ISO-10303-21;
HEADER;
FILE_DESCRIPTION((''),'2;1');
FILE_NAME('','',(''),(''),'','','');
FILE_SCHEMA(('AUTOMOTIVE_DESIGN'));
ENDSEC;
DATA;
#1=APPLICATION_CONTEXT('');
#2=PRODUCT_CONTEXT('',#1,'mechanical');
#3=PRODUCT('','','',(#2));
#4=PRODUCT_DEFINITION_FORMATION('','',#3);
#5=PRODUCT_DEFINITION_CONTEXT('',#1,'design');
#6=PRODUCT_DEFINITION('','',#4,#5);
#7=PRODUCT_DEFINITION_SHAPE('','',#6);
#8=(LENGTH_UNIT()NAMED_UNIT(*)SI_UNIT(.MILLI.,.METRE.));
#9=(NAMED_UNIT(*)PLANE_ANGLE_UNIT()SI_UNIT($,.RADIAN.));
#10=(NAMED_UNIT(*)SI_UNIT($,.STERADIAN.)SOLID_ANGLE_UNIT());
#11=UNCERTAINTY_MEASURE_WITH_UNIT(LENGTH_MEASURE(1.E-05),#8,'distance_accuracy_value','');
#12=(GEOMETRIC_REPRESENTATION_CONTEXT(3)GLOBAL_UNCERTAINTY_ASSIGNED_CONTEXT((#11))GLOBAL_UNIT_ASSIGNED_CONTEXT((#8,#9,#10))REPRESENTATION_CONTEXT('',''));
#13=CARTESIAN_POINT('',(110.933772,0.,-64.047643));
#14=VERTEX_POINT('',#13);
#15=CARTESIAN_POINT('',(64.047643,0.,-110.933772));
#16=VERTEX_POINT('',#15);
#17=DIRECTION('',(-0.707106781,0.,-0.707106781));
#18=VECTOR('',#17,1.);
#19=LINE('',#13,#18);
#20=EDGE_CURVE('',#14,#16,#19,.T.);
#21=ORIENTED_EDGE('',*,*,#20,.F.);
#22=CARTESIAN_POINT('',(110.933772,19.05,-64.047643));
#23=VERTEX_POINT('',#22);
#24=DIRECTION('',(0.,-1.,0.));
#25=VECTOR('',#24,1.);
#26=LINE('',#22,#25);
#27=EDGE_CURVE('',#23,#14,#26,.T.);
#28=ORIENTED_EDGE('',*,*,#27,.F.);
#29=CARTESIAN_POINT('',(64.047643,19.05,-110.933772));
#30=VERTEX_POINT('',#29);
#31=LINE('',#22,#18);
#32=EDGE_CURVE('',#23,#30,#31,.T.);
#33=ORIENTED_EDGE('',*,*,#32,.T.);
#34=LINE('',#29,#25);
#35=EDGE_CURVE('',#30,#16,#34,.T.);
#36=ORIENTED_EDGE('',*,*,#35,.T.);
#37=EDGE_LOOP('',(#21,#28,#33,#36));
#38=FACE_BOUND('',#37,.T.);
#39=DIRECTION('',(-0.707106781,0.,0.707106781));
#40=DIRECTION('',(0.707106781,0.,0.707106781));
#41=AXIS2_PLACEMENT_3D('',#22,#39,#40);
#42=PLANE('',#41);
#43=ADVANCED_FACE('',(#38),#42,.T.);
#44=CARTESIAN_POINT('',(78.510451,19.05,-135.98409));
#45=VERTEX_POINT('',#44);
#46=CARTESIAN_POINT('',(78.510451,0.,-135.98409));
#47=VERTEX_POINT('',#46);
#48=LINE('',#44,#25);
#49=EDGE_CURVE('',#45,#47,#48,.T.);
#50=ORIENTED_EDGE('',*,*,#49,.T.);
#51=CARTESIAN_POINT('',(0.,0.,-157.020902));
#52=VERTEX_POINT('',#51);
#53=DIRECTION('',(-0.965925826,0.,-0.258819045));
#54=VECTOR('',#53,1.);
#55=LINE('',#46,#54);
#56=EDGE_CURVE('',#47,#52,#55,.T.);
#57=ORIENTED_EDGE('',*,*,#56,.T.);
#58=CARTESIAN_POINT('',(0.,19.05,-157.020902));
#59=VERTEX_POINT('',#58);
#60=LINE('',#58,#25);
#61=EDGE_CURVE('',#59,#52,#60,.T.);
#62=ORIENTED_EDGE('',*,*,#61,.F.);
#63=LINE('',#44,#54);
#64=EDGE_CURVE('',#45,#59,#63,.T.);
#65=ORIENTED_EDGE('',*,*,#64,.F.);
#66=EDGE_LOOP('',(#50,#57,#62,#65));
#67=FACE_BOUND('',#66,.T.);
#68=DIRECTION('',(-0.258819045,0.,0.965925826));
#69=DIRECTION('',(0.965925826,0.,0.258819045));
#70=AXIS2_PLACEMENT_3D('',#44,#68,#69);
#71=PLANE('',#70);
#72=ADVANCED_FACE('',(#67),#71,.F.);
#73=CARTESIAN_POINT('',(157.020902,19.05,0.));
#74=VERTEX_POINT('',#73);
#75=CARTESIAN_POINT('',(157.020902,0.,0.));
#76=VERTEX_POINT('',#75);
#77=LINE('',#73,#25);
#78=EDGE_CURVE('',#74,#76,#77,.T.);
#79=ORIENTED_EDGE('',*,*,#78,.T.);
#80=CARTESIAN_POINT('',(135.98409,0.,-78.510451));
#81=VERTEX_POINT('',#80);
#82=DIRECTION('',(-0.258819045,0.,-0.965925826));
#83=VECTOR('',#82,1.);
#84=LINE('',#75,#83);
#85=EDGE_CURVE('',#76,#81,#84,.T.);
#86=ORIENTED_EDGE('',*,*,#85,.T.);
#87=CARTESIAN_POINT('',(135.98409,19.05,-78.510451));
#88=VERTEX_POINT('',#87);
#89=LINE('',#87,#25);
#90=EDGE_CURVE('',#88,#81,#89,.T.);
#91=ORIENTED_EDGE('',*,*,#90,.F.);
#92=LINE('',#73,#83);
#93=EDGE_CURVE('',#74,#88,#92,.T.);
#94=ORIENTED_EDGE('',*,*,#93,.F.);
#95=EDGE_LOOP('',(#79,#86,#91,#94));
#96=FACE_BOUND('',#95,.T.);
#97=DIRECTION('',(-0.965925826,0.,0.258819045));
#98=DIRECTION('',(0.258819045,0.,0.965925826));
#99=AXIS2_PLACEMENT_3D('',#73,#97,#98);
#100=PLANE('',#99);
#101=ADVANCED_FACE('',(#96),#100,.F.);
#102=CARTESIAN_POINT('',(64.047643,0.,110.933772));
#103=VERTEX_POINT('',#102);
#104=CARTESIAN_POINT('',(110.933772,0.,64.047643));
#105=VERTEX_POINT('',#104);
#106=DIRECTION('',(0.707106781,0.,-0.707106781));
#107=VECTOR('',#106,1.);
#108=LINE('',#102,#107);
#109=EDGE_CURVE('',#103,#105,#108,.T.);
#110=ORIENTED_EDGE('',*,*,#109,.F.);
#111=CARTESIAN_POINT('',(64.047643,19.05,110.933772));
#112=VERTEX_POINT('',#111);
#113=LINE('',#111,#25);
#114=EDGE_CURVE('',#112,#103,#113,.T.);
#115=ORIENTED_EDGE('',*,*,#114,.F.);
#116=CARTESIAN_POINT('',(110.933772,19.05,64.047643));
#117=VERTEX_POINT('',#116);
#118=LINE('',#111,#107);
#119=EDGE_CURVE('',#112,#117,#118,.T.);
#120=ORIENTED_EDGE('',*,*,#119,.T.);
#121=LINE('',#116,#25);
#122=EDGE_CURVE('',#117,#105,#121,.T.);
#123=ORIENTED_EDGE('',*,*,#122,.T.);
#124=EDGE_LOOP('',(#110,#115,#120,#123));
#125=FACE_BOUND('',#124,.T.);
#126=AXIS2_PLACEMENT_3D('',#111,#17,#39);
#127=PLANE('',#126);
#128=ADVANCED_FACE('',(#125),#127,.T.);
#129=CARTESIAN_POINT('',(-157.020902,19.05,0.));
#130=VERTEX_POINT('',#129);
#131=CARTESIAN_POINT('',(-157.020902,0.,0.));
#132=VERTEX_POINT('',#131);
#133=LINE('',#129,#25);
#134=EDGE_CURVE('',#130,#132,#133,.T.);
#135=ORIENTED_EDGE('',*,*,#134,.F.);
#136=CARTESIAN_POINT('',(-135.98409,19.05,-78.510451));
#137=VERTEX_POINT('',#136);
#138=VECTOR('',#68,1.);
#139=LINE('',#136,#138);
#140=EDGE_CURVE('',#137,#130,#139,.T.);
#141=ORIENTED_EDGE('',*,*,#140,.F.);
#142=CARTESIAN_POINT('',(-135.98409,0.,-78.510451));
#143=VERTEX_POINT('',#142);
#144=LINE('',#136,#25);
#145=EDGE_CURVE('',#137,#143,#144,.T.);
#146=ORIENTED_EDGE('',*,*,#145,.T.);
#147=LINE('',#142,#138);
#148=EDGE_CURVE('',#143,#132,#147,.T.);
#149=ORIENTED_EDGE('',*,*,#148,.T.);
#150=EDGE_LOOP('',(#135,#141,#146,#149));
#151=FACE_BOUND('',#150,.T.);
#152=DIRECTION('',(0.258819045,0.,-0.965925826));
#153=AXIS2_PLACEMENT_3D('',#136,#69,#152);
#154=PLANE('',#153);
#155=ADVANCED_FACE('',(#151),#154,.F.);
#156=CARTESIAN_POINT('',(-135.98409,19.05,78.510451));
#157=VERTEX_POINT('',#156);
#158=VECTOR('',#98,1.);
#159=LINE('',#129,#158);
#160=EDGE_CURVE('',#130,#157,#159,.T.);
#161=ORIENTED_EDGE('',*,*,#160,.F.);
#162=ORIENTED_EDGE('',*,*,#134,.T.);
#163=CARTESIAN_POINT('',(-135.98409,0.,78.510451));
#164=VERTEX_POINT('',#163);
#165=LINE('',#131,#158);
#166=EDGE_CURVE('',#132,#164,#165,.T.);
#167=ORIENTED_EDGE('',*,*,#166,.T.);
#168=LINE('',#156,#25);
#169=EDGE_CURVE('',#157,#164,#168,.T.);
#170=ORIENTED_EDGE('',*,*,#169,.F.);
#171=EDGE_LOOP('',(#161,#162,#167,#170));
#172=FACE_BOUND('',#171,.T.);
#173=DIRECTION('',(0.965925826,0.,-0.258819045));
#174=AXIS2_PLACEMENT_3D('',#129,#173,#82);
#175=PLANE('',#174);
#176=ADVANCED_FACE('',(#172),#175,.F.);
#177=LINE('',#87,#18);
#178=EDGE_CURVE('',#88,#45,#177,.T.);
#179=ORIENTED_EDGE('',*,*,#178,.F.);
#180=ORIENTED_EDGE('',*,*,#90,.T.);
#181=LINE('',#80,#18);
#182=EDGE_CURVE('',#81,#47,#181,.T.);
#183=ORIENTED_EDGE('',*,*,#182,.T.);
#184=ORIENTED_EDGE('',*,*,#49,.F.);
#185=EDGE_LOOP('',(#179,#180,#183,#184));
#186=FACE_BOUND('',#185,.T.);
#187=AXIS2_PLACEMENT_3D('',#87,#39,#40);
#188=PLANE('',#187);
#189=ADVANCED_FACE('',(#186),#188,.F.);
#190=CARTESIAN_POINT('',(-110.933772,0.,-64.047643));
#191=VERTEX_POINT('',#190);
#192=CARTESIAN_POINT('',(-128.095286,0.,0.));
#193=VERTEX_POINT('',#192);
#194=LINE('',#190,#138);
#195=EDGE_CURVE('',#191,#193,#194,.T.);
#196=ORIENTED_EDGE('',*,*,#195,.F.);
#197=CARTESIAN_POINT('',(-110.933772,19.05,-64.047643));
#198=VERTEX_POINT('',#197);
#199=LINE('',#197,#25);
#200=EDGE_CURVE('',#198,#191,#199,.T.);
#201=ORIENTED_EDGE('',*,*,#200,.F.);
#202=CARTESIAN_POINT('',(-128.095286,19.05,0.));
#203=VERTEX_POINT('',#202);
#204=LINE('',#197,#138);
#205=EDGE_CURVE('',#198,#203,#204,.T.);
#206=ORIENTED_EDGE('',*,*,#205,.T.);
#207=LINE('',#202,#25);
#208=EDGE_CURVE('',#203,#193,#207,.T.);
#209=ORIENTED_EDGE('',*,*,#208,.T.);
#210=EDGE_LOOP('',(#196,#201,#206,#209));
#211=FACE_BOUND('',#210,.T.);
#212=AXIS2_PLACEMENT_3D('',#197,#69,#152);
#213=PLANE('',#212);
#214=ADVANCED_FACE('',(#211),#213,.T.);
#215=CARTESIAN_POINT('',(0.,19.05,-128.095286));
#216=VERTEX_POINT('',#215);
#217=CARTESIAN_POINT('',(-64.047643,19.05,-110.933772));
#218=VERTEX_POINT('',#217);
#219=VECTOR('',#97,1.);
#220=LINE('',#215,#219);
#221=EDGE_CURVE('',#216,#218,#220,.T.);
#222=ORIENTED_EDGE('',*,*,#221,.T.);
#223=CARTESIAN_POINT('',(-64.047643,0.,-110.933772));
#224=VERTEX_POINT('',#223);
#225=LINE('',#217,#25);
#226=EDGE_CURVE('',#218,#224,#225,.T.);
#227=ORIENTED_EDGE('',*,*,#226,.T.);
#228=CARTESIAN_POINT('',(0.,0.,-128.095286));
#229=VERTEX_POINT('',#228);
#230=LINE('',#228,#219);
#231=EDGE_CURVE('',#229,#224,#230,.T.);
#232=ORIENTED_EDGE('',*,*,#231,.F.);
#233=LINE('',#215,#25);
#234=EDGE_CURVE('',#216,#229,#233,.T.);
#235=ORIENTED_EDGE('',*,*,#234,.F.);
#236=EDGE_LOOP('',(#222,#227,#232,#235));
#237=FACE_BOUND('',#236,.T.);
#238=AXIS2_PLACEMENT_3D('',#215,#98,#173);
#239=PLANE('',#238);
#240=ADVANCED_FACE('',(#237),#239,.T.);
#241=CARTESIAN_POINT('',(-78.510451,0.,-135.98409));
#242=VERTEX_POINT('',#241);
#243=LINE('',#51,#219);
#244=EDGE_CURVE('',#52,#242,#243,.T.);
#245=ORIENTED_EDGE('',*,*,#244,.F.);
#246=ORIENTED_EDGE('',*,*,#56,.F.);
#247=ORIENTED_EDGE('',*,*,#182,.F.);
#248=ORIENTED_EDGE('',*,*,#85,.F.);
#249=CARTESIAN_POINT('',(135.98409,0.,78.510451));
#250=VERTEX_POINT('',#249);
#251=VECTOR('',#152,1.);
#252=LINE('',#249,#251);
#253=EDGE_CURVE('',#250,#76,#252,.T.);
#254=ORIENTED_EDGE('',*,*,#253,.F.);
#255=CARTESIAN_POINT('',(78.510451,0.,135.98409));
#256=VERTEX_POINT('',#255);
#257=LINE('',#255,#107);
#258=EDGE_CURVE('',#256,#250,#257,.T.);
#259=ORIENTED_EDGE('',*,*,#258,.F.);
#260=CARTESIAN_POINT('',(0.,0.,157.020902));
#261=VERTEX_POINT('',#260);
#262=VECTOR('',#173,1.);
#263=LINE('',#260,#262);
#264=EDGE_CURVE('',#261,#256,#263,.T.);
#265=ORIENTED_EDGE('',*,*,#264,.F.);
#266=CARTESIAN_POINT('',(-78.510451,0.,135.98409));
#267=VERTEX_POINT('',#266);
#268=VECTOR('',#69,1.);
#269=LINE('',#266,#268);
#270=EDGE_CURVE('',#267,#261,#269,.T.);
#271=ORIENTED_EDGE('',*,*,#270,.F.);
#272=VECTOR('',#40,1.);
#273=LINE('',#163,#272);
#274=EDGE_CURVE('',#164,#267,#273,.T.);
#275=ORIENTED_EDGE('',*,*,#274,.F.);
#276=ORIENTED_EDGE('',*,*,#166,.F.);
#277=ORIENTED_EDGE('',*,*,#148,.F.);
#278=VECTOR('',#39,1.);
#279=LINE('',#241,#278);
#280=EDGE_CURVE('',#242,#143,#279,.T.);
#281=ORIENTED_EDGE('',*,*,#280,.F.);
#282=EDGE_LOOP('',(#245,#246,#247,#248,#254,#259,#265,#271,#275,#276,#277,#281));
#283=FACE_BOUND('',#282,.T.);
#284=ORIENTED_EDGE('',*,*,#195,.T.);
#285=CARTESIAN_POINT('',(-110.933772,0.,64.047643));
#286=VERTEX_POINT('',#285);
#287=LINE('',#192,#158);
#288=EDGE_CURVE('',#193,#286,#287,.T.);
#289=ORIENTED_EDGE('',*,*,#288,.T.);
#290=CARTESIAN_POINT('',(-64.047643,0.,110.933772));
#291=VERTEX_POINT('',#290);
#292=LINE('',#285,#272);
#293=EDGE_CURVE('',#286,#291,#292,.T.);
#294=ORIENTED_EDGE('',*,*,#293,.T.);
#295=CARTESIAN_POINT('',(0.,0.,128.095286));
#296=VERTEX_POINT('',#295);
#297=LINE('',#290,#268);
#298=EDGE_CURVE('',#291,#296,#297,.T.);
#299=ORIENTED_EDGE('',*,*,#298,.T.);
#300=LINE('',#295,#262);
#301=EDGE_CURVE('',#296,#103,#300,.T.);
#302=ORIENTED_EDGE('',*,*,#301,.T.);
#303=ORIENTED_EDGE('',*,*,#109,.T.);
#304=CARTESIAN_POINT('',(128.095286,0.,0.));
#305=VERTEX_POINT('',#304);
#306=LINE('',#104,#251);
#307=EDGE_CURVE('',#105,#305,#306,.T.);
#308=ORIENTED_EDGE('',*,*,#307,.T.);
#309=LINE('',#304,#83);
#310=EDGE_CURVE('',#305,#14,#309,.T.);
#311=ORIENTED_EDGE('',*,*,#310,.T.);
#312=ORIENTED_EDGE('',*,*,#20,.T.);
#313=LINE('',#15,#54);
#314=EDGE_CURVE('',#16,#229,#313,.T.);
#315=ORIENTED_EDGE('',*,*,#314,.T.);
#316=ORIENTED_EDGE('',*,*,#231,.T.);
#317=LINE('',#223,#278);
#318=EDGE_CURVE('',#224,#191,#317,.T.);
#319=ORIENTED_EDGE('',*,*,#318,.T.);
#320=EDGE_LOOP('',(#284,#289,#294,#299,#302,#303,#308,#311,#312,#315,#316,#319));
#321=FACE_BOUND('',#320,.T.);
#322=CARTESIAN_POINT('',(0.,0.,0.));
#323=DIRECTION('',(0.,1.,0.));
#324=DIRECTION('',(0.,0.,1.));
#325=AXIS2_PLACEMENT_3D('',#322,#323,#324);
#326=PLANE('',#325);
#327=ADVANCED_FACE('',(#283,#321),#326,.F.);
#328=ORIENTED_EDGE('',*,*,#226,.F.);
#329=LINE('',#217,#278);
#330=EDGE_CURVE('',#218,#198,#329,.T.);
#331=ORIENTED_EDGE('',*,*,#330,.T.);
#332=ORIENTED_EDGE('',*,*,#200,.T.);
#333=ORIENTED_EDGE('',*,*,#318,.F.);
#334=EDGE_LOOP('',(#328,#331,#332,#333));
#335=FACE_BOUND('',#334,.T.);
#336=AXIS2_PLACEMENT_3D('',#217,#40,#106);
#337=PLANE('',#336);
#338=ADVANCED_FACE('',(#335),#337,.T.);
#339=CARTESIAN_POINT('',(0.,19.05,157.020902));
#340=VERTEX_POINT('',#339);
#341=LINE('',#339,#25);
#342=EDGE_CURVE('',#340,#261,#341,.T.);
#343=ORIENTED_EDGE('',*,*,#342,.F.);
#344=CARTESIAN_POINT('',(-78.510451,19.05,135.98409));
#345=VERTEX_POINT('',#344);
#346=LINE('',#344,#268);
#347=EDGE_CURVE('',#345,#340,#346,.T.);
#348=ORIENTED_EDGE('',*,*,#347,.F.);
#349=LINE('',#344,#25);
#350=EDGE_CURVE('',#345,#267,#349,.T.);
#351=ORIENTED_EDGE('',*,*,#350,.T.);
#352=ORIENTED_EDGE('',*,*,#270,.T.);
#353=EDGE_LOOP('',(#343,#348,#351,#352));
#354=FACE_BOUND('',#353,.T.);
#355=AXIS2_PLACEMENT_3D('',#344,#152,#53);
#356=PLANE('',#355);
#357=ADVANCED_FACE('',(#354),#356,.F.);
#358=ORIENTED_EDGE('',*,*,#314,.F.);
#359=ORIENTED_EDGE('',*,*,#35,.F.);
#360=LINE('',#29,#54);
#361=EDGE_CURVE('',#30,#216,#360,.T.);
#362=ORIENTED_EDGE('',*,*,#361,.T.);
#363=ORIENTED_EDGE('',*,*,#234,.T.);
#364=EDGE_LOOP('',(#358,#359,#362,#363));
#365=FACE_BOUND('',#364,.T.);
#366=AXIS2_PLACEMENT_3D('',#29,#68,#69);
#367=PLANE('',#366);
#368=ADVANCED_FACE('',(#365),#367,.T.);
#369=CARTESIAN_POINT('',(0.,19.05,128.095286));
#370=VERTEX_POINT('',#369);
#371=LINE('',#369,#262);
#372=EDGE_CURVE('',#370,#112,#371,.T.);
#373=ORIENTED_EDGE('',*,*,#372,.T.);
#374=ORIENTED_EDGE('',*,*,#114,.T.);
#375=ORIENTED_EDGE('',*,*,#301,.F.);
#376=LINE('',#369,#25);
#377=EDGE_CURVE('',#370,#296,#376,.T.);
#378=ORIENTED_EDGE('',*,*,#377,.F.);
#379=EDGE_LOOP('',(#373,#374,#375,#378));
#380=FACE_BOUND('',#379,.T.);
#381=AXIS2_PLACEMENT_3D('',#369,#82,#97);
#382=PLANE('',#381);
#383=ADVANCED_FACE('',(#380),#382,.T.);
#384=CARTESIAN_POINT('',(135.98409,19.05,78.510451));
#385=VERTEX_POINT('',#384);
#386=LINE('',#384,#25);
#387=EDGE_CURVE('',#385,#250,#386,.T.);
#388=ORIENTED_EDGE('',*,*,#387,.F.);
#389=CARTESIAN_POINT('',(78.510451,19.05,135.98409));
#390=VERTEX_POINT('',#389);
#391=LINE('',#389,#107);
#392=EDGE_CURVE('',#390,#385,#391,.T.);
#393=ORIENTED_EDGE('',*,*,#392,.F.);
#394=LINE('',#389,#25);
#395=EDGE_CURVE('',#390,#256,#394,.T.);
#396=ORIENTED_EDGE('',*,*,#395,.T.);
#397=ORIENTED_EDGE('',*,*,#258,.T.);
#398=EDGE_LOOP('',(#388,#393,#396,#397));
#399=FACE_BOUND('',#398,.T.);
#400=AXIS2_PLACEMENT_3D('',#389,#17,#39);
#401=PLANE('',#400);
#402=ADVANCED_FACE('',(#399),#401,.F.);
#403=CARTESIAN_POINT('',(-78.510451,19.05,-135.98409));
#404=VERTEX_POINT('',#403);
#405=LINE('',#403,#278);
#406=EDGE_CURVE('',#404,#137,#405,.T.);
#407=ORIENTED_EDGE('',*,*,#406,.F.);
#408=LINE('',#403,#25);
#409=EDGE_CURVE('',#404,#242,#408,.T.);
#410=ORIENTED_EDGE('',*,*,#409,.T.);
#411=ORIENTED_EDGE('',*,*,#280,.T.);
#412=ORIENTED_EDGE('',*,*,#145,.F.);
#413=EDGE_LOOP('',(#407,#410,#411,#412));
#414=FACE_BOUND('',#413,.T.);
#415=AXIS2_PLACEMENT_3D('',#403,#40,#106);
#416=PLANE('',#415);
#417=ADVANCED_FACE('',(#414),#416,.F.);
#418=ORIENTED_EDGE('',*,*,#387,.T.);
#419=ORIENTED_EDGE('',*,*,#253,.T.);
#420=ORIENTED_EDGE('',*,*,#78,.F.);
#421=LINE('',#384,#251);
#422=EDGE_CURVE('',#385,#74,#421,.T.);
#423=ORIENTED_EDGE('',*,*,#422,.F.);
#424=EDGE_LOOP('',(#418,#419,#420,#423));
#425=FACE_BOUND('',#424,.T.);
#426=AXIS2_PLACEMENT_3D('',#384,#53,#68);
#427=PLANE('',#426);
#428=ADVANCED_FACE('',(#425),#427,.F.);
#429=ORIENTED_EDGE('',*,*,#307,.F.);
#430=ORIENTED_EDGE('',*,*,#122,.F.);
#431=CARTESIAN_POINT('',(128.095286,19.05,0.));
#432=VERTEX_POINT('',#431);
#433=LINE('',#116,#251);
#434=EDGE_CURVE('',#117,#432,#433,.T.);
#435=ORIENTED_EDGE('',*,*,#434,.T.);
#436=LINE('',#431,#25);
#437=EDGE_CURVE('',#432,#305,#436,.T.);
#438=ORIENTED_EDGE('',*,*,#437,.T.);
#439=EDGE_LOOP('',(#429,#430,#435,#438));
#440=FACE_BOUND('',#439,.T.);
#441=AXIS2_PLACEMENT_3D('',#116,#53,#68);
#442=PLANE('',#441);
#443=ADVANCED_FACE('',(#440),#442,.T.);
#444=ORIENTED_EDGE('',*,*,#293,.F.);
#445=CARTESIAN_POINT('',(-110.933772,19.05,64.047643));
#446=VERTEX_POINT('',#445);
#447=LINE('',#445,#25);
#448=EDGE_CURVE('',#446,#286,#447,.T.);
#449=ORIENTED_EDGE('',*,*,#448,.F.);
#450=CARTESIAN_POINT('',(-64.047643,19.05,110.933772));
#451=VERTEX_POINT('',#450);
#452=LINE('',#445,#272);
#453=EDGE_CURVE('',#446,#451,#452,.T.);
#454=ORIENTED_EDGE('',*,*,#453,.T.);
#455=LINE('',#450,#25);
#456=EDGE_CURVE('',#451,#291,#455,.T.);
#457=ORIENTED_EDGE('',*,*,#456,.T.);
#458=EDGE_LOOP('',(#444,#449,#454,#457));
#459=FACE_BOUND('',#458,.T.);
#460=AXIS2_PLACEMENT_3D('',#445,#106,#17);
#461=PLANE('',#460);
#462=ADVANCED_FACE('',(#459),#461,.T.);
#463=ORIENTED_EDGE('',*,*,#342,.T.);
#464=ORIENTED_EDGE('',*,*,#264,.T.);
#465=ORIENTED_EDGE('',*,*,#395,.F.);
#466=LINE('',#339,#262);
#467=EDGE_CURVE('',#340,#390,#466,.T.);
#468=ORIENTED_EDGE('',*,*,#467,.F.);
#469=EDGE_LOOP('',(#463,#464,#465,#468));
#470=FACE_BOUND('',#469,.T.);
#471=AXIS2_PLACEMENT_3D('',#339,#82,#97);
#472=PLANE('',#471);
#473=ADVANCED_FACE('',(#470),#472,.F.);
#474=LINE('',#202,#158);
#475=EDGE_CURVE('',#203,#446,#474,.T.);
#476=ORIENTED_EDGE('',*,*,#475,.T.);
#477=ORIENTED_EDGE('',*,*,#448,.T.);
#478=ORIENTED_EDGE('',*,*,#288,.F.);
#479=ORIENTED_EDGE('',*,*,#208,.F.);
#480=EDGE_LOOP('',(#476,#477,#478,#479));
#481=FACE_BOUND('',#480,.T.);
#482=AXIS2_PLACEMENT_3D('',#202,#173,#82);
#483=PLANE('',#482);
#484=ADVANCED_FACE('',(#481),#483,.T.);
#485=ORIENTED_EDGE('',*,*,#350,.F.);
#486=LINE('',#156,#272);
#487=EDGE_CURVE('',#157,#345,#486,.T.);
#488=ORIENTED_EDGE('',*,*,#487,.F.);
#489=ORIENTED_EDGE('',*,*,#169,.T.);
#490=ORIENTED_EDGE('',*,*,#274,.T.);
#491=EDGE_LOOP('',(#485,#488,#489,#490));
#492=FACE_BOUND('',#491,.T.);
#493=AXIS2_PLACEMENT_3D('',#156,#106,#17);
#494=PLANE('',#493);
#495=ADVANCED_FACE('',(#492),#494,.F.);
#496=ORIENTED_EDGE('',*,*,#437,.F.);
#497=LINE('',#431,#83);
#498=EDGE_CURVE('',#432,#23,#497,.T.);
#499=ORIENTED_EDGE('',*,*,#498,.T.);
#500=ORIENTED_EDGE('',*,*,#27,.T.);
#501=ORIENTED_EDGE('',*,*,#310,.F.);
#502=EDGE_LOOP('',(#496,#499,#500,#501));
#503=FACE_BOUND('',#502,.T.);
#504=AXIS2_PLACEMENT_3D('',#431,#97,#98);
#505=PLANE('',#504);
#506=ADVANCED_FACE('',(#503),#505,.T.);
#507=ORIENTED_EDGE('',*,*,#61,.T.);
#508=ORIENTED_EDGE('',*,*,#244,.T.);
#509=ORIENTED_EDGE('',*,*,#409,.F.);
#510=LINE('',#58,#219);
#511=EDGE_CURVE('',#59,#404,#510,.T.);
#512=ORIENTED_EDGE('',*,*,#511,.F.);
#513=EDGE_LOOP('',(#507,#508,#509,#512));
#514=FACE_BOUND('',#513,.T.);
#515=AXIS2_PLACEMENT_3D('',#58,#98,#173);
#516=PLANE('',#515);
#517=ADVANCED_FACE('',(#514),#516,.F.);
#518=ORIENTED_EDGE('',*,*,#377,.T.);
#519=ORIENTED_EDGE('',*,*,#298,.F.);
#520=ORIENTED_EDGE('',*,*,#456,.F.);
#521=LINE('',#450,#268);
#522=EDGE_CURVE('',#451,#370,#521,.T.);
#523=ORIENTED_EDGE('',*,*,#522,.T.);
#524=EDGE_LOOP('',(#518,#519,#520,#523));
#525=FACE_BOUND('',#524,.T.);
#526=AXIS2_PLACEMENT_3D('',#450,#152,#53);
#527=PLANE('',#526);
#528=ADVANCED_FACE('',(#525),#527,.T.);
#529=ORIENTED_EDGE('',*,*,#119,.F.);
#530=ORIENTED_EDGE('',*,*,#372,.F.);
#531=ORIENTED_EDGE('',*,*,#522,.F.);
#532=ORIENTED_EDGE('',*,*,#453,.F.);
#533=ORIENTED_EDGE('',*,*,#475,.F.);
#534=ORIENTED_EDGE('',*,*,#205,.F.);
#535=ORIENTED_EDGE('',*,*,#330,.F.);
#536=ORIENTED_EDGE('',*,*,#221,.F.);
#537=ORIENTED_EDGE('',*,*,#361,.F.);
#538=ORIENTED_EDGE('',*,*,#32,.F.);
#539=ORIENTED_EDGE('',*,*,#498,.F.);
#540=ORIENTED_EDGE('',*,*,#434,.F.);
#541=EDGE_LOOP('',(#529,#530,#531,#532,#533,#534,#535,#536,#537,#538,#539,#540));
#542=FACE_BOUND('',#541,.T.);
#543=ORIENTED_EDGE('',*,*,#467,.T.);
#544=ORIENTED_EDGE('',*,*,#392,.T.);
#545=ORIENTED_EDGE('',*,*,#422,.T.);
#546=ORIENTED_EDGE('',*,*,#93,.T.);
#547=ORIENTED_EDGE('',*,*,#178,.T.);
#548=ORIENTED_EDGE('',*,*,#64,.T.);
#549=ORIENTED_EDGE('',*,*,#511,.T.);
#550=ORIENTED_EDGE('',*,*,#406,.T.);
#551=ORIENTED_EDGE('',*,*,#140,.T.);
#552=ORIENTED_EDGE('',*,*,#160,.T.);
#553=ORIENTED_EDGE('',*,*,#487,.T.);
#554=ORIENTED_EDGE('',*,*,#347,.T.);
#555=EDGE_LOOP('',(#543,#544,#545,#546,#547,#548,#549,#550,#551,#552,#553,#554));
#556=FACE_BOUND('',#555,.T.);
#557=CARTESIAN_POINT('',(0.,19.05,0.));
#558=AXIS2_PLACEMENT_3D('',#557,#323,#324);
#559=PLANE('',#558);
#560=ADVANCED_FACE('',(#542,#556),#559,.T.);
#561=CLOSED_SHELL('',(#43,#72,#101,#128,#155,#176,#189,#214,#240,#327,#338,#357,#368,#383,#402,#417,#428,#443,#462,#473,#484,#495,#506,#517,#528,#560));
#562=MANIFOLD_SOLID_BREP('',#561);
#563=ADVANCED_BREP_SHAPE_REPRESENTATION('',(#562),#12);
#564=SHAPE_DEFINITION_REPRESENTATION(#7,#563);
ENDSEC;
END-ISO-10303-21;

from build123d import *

# Parameters (mm, degrees)
BOSS_EXTRUDE2_DEPTH = 19.05


with BuildPart() as part:
    # Sketch2 → Boss-Extrude2 (new body)
    with BuildSketch(Plane(origin=(0, 0, 0), x_dir=(1, 0, 0), z_dir=(0, 1, 0))):
        Polygon((-157.020902322, 0), (-135.984090336, -78.510451161), (-78.510451161, -135.984090336), (0, -157.020902322), (78.510451161, -135.984090336), (135.984090336, -78.510451161), (157.020902322, 0), (135.984090336, 78.510451161), (78.510451161, 135.984090336), (0, 157.020902322), (-78.510451161, 135.984090336), (-135.984090336, 78.510451161), align=None)
        Polygon((-128.095285841, 0), (-110.933771643, -64.04764292), (-64.04764292, -110.933771643), (0, -128.095285841), (64.04764292, -110.933771643), (110.933771643, -64.04764292), (128.095285841, 0), (110.933771643, 64.04764292), (64.04764292, 110.933771643), (0, 128.095285841), (-64.04764292, 110.933771643), (-110.933771643, 64.04764292), align=None, mode=Mode.SUBTRACT)
    extrude(amount=BOSS_EXTRUDE2_DEPTH)


solid = part.part
